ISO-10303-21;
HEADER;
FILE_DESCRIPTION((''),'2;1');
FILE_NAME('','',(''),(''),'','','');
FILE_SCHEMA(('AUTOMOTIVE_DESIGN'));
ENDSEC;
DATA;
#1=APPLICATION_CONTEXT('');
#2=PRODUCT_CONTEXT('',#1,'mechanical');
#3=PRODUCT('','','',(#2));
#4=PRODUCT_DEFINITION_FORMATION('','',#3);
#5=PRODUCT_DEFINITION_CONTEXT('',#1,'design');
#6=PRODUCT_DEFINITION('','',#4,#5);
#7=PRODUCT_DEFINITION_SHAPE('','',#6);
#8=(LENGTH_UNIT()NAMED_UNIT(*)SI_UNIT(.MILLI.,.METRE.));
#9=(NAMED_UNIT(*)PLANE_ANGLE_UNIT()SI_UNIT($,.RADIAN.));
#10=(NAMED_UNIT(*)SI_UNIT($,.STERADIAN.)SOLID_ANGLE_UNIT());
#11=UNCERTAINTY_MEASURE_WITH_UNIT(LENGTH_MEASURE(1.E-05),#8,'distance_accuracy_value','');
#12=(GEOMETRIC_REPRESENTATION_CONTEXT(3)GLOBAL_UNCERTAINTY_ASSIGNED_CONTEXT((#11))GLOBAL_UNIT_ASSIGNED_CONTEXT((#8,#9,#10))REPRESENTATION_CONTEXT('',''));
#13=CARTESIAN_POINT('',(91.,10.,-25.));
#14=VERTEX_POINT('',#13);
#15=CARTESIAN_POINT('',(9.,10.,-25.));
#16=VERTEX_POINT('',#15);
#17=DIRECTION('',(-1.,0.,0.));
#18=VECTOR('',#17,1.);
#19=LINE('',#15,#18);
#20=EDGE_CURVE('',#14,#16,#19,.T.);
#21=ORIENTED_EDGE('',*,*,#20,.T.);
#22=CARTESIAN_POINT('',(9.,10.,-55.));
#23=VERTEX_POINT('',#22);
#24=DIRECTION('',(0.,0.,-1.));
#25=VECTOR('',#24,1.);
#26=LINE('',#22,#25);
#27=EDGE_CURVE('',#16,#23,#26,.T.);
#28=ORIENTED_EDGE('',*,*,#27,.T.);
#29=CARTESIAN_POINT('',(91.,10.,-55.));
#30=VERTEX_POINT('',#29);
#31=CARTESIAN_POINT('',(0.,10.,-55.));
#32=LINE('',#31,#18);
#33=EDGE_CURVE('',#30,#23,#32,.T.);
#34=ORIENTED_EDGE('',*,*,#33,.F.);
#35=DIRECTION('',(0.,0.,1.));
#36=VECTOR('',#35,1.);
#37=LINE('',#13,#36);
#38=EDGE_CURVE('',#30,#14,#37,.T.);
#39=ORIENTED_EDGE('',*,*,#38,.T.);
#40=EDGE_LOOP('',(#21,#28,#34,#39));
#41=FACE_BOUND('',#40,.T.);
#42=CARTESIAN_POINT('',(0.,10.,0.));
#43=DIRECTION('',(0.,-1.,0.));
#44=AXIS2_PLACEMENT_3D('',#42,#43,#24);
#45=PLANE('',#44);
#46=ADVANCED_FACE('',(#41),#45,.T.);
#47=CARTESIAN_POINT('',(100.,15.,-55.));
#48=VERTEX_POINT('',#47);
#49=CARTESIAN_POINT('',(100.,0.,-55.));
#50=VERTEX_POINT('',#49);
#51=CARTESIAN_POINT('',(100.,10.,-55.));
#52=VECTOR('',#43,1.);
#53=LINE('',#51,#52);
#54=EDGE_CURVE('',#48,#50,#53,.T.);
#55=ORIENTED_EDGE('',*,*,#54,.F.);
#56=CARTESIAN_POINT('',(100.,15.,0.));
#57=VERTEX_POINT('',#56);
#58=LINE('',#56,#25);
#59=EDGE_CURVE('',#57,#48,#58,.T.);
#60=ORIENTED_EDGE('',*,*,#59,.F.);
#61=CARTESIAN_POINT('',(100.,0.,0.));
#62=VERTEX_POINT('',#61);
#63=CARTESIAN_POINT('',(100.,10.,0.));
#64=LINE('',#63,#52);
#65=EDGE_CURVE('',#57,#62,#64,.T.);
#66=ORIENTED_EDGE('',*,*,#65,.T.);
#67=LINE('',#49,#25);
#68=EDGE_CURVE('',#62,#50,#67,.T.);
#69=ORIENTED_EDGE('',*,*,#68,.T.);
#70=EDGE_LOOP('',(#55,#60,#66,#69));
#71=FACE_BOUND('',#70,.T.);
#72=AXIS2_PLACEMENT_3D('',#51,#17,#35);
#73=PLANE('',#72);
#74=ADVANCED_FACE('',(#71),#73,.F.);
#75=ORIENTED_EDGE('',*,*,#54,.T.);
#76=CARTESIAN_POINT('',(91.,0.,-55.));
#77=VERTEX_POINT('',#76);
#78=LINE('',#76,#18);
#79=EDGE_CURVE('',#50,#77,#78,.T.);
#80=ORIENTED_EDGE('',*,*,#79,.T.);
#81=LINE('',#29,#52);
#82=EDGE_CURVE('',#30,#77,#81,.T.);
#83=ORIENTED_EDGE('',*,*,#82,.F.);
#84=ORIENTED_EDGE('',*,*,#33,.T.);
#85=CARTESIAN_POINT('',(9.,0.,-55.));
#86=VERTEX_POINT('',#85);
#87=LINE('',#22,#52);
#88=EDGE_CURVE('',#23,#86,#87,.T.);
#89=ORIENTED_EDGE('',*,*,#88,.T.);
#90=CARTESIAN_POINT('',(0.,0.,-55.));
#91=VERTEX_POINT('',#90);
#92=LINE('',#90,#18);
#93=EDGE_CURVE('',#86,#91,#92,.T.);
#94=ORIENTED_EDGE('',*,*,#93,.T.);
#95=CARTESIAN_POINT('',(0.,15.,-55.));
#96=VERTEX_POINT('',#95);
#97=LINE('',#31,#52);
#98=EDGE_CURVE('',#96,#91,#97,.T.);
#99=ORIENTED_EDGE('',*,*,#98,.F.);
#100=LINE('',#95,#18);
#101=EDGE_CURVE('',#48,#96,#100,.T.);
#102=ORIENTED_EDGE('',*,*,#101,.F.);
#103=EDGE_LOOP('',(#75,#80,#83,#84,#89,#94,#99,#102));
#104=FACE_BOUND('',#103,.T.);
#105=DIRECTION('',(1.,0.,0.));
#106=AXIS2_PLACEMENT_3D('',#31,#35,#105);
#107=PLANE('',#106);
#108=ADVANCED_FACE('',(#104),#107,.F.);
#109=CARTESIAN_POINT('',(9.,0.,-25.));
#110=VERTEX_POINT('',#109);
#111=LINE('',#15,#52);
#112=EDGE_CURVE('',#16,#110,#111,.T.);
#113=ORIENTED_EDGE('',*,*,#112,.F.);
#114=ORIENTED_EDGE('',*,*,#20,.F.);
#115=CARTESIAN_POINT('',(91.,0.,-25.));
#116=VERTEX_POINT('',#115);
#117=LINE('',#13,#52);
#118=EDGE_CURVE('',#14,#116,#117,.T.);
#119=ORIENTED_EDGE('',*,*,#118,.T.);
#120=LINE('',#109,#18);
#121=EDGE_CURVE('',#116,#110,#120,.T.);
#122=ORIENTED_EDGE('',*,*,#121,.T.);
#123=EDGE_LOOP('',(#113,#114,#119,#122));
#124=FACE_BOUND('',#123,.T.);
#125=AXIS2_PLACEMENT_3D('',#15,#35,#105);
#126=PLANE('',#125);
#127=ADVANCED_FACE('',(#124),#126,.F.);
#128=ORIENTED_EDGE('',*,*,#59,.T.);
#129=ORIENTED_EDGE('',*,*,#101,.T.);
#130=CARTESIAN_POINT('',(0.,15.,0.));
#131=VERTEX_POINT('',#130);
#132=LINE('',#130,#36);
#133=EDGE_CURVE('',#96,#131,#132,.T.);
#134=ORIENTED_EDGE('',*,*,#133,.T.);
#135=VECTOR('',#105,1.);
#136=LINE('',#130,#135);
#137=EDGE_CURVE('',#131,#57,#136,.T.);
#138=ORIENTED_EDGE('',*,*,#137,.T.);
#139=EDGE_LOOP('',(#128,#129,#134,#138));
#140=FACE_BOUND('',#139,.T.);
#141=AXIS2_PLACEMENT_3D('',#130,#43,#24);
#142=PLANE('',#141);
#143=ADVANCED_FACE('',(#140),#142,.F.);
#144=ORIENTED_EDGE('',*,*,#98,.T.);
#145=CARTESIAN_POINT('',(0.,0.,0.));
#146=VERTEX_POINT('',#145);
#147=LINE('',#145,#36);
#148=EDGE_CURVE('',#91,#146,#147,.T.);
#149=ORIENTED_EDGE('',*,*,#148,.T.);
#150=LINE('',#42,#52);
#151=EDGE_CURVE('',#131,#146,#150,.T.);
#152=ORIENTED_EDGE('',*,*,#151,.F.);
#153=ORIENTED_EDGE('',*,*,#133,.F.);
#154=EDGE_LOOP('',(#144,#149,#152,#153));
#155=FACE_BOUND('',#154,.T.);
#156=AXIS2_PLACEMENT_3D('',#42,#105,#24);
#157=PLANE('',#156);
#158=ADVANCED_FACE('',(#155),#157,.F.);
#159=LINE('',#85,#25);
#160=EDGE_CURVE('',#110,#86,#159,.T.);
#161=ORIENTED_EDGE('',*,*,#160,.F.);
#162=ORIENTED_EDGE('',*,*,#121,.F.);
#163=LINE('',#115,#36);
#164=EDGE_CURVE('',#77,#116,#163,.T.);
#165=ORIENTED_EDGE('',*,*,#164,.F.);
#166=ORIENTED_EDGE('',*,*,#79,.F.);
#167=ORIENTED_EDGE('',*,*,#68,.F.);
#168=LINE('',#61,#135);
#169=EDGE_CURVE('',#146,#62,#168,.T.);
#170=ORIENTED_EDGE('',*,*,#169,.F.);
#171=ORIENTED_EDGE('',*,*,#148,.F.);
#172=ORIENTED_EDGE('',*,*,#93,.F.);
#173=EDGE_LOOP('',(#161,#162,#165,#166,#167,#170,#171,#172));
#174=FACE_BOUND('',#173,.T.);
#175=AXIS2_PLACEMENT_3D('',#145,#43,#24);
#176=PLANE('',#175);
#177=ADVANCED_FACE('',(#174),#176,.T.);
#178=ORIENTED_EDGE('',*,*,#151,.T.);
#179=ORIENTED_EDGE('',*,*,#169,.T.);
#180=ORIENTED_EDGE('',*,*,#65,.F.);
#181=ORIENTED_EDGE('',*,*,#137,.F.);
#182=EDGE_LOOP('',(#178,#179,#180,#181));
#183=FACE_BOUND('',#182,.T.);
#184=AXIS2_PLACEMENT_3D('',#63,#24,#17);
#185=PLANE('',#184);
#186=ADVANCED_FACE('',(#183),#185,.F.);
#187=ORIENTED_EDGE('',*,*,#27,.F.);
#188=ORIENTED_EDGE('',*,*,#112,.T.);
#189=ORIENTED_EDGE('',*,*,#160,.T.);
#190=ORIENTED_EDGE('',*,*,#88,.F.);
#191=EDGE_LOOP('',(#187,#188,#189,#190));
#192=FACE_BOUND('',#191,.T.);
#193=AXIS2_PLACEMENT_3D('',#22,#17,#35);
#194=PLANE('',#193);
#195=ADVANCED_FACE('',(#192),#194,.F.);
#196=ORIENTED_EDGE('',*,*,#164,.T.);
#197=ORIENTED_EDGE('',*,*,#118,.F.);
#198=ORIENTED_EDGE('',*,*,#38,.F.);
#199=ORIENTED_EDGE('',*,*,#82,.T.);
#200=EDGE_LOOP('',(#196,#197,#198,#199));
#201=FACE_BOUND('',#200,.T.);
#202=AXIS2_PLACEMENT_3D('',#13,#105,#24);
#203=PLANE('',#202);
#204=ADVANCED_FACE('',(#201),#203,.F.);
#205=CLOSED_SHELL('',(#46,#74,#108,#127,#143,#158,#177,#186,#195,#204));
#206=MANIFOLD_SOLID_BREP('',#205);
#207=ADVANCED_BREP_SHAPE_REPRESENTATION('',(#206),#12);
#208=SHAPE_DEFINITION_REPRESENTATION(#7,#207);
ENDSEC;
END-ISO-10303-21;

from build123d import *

# Parameters (mm, degrees)
BOSS_EXTRUDE1_DEPTH = 10
SKETCH2_W           = 100
SKETCH2_H           = 55
BOSS_EXTRUDE2_DEPTH = 5


with BuildPart() as part:
    # Sketch1 → Boss-Extrude1 (new body)
    with BuildSketch(Plane(origin=(0, 0, 0), x_dir=(1, 0, 0), z_dir=(0, 1, 0))):
        Polygon((0, 0), (0, 55), (9, 55), (9, 25), (91, 25), (91, 55), (100, 55), (100, 0), align=None)
    extrude(amount=BOSS_EXTRUDE1_DEPTH)

    # Sketch2 → Boss-Extrude2 (add)
    with BuildSketch(Plane(origin=(0, 10, 0), x_dir=(1, 0, 0), z_dir=(0, 1, 0))):
        with Locations((50, 27.5)):
            Rectangle(SKETCH2_W, SKETCH2_H)
    extrude(amount=BOSS_EXTRUDE2_DEPTH)


solid = part.part
